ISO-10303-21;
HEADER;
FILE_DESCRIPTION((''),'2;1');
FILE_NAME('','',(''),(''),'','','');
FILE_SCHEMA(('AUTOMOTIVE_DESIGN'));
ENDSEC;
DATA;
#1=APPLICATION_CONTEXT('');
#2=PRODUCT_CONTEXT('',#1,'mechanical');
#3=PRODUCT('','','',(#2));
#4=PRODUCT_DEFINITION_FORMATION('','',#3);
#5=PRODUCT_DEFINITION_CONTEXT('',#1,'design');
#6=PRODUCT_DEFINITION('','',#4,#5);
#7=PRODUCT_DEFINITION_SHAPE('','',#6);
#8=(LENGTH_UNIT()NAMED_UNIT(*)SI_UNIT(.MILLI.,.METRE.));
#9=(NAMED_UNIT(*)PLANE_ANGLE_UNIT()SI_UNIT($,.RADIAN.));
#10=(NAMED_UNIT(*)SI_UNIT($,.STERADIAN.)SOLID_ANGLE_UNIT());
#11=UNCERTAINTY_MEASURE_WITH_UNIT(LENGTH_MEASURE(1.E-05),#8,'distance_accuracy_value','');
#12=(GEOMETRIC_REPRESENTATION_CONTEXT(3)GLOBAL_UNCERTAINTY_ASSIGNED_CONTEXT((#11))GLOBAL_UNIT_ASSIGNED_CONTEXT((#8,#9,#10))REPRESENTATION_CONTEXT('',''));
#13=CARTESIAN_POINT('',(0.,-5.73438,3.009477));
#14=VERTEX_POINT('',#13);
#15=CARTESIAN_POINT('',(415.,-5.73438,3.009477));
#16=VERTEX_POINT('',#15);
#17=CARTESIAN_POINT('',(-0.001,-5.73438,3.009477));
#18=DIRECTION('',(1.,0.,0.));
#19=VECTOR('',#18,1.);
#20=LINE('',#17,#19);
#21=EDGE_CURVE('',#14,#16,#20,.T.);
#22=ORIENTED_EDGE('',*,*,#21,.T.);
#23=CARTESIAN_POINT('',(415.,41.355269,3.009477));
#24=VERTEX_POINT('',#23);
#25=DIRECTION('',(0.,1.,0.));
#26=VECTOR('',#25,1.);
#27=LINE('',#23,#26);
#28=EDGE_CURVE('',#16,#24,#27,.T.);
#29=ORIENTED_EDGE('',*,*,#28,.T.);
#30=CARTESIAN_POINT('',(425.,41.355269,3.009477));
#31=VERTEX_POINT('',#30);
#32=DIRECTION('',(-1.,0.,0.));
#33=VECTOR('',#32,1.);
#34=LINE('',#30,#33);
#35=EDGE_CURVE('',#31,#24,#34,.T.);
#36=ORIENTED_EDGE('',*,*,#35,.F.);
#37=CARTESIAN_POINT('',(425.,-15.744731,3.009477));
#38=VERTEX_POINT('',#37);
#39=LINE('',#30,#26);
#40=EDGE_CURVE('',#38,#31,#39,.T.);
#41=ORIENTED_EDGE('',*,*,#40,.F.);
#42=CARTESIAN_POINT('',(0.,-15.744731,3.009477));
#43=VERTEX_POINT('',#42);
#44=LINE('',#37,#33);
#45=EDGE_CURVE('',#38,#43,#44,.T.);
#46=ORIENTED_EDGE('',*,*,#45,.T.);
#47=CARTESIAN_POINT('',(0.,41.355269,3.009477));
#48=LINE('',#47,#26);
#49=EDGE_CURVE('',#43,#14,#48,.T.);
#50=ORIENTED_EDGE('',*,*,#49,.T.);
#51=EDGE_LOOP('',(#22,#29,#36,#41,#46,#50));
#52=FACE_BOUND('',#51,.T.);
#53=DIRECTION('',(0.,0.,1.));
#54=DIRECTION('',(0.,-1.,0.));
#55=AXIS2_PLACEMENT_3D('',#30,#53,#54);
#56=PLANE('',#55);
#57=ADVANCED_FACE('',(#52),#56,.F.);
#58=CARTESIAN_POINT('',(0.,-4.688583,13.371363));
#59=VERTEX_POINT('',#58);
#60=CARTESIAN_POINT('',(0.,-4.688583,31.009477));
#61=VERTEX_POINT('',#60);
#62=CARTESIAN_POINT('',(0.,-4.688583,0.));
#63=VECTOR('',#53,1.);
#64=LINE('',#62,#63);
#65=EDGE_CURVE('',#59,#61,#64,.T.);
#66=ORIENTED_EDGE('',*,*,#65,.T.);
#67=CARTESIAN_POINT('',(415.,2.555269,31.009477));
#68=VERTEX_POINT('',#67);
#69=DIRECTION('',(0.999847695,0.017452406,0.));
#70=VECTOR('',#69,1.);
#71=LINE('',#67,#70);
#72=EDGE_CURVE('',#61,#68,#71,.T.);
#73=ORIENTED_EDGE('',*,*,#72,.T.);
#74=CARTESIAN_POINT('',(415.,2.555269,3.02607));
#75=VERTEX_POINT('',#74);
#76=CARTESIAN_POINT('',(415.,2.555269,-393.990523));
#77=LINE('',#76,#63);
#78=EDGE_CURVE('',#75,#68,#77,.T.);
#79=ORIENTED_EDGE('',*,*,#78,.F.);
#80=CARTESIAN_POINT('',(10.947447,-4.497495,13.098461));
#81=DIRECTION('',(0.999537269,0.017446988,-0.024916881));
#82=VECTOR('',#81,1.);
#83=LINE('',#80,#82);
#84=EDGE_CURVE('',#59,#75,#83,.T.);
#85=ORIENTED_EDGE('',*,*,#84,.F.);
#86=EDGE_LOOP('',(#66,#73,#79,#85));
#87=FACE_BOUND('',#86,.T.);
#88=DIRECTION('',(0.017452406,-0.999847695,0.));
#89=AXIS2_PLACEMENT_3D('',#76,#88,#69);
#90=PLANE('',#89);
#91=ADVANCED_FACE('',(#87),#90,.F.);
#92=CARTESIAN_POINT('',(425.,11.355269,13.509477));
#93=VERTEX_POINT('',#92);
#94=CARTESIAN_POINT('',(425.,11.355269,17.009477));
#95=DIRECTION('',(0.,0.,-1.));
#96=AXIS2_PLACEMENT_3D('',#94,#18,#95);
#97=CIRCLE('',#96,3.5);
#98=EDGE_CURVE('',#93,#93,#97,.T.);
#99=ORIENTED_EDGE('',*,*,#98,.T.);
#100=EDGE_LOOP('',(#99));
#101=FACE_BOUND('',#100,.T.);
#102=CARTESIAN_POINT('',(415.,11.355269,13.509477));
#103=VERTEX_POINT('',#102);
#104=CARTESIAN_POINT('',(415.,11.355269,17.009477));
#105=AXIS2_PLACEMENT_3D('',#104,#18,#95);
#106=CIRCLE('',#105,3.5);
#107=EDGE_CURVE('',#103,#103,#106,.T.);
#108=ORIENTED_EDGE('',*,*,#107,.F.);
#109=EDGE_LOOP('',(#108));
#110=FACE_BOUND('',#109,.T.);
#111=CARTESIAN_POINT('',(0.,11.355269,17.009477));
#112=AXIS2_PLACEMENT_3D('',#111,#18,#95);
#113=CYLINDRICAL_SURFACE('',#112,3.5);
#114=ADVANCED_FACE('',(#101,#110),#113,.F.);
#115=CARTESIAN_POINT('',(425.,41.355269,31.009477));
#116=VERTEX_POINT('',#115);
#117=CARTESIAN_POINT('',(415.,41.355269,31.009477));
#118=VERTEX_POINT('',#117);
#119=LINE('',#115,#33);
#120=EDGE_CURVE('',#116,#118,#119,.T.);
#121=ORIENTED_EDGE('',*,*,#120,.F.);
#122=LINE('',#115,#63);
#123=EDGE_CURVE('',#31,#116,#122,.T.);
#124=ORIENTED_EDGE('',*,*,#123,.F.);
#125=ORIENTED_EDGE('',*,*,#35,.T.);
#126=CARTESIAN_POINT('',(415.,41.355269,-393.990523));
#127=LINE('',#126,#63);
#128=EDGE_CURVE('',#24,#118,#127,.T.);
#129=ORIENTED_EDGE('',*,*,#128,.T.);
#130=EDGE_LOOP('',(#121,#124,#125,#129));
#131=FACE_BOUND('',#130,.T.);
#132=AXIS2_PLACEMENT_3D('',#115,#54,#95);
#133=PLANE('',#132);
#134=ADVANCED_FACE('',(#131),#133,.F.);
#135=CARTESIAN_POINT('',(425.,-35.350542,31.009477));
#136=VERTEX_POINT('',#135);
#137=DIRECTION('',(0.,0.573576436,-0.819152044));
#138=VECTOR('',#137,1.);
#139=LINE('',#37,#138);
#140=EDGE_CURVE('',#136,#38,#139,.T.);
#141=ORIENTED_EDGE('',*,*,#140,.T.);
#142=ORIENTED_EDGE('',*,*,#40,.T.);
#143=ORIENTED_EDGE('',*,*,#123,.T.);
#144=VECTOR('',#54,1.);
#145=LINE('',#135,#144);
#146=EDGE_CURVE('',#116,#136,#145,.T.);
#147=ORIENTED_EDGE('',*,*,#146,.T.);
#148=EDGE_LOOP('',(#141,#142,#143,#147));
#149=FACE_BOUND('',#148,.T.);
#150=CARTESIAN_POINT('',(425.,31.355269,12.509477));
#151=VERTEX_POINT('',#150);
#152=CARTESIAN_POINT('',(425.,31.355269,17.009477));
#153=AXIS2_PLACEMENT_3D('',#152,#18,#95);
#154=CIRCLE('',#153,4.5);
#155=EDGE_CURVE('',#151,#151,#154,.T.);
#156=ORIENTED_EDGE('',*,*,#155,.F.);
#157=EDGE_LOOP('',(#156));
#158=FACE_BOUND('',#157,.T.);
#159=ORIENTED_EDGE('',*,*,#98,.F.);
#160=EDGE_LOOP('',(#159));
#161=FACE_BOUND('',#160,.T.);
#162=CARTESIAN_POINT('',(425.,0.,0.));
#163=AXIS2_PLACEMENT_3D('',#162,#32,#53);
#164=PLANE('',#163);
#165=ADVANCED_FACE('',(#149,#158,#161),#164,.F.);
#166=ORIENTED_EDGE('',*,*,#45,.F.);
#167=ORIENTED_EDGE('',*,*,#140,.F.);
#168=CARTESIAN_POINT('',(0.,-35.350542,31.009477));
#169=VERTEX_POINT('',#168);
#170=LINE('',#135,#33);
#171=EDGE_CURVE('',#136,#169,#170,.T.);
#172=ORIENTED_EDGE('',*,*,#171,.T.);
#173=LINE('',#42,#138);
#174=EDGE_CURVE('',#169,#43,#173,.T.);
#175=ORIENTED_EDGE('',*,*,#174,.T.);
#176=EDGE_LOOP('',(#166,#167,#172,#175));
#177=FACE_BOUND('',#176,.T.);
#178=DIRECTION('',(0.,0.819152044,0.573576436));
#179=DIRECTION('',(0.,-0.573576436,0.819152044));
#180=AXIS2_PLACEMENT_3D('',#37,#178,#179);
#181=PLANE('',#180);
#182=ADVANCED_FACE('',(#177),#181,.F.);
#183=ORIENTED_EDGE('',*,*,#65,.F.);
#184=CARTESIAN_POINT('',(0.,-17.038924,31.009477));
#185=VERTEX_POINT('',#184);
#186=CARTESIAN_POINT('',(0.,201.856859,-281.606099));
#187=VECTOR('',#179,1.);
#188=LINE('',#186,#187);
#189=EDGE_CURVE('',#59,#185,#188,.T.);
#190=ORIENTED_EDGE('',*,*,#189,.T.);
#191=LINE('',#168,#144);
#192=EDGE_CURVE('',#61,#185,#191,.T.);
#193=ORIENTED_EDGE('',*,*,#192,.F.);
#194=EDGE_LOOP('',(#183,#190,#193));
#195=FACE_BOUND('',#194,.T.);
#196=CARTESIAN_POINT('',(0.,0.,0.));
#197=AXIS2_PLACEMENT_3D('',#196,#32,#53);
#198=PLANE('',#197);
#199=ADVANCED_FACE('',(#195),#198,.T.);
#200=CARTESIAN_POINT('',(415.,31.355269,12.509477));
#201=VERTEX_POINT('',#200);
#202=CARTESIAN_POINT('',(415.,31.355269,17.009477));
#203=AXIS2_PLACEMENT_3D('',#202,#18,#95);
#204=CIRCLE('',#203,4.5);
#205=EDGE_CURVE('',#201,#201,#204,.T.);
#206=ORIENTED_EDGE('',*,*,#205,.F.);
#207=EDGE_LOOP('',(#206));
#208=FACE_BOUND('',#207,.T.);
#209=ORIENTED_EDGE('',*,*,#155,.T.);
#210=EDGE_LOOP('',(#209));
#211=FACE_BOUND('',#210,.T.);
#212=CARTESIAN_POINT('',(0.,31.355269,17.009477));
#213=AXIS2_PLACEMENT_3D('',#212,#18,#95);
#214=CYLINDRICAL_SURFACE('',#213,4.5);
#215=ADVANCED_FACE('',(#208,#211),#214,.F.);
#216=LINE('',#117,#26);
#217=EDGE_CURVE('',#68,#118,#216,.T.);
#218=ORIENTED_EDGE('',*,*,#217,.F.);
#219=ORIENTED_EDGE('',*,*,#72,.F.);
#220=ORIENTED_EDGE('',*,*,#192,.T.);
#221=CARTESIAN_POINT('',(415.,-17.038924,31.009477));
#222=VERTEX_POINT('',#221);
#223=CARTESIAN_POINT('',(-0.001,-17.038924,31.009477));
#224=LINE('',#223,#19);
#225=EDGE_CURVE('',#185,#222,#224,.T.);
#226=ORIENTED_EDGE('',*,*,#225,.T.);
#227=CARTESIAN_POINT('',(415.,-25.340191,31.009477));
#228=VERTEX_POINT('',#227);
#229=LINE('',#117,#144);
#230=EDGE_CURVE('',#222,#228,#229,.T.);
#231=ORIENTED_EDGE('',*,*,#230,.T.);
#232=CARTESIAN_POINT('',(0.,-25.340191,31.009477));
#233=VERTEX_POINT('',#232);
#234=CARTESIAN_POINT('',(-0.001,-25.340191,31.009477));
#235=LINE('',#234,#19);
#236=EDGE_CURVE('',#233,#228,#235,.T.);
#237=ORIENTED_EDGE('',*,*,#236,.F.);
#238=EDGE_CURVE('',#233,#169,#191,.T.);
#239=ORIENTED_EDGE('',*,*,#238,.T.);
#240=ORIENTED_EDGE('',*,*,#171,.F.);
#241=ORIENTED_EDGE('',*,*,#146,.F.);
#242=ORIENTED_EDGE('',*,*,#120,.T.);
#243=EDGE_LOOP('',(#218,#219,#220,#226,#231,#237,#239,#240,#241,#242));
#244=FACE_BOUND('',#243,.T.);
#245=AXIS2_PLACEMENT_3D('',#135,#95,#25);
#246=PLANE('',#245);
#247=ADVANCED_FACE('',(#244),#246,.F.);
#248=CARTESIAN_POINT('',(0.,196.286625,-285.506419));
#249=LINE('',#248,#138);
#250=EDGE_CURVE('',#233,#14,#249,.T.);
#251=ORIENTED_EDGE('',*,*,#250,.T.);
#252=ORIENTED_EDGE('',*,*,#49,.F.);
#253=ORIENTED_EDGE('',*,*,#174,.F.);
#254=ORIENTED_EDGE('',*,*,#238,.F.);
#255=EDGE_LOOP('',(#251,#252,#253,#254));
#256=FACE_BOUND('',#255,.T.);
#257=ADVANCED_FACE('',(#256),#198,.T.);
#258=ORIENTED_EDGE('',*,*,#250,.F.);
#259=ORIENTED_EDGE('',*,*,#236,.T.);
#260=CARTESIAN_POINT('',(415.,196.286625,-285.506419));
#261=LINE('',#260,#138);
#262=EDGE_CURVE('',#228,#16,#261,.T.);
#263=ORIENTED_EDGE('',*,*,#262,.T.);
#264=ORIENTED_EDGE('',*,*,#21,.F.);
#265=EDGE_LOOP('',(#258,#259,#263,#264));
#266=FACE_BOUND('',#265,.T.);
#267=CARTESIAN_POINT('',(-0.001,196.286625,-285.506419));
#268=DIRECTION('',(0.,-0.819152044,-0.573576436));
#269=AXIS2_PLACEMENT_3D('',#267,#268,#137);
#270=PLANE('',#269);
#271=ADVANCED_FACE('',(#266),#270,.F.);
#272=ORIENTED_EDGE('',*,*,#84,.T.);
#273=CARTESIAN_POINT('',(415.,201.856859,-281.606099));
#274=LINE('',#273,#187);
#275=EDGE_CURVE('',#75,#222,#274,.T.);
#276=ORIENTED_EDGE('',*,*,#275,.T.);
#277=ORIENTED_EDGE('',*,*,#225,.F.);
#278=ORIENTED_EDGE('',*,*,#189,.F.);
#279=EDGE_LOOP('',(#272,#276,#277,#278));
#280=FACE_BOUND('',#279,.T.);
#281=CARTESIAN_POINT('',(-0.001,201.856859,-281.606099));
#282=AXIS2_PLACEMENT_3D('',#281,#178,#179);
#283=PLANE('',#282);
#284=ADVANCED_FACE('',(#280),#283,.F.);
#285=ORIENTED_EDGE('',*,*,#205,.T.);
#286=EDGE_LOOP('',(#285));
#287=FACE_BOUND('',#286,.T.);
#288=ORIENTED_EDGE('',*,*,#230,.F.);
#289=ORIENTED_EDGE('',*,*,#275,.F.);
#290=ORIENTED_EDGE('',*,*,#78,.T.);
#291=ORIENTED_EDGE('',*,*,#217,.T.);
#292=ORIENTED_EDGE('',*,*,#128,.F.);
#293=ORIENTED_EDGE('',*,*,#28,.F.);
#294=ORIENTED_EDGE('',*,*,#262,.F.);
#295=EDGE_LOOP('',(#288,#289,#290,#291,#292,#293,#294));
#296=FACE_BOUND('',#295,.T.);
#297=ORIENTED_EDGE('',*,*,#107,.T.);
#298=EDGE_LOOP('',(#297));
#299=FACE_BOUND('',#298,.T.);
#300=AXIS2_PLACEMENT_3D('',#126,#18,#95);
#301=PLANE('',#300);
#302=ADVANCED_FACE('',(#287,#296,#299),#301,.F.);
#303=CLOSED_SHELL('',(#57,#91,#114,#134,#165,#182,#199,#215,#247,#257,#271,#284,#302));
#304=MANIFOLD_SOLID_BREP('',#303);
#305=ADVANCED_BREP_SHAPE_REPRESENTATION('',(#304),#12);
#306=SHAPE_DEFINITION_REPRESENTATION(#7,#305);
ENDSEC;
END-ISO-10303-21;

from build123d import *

# Parameters (mm, degrees)
EXTRUDE_1_DEPTH     = 425
CUT_EXTRUDE_1_DEPTH = 425
SKETCH_4_R          = 4.5
SKETCH_4_R_2        = 3.5
CUT_EXTRUDE_2_DEPTH = 425
CUT_EXTRUDE_START   = -10
CUT_EXTRUDE_3_DEPTH = 415


with BuildPart() as part:
    # 草图1 → 凸台-拉伸1 (new body)
    with BuildSketch(Plane(origin=(0, 0, 0), x_dir=(0, 0, -1), z_dir=(1, 0, 0))):
        Polygon((-31.009476957, 41.355268582), (-3.009476957, 41.355268582), (-3.009476957, -15.744731418), (-31.009476957, -35.350542488), align=None)
    extrude(amount=EXTRUDE_1_DEPTH)

    # 草图2 → 切除-拉伸1 (cut)
    with BuildSketch(Plane.XY.offset(31.009476957)):
        Polygon((415, 41.355268582), (415, 2.555268582), (0, -4.688583363), (0, 41.355268582), align=None)
    extrude(amount=-CUT_EXTRUDE_1_DEPTH, mode=Mode.SUBTRACT)

    # 草图4 → 切除-拉伸2 (cut)
    with BuildSketch(Plane(origin=(425, 0, 0), x_dir=(0, 0, -1), z_dir=(1, 0, 0))):
        with Locations((-17.009476957, 31.355268582)):
            Circle(SKETCH_4_R)
        with Locations((-17.009476957, 11.355268582)):
            Circle(SKETCH_4_R_2)
    extrude(amount=-CUT_EXTRUDE_2_DEPTH, mode=Mode.SUBTRACT)

    # 草图6 → 切除-拉伸3 (cut)
    with BuildSketch(Plane(origin=(425, 0, 0), x_dir=(0, 0, -1), z_dir=(1, 0, 0)).offset(CUT_EXTRUDE_START)):
        Polygon((-31.009476957, -25.34019086), (-3.009476957, -5.73437979), (-3.009476957, 2.566887414), (-31.009476957, -17.038923656), align=None)
    extrude(amount=-CUT_EXTRUDE_3_DEPTH, mode=Mode.SUBTRACT)


solid = part.part
